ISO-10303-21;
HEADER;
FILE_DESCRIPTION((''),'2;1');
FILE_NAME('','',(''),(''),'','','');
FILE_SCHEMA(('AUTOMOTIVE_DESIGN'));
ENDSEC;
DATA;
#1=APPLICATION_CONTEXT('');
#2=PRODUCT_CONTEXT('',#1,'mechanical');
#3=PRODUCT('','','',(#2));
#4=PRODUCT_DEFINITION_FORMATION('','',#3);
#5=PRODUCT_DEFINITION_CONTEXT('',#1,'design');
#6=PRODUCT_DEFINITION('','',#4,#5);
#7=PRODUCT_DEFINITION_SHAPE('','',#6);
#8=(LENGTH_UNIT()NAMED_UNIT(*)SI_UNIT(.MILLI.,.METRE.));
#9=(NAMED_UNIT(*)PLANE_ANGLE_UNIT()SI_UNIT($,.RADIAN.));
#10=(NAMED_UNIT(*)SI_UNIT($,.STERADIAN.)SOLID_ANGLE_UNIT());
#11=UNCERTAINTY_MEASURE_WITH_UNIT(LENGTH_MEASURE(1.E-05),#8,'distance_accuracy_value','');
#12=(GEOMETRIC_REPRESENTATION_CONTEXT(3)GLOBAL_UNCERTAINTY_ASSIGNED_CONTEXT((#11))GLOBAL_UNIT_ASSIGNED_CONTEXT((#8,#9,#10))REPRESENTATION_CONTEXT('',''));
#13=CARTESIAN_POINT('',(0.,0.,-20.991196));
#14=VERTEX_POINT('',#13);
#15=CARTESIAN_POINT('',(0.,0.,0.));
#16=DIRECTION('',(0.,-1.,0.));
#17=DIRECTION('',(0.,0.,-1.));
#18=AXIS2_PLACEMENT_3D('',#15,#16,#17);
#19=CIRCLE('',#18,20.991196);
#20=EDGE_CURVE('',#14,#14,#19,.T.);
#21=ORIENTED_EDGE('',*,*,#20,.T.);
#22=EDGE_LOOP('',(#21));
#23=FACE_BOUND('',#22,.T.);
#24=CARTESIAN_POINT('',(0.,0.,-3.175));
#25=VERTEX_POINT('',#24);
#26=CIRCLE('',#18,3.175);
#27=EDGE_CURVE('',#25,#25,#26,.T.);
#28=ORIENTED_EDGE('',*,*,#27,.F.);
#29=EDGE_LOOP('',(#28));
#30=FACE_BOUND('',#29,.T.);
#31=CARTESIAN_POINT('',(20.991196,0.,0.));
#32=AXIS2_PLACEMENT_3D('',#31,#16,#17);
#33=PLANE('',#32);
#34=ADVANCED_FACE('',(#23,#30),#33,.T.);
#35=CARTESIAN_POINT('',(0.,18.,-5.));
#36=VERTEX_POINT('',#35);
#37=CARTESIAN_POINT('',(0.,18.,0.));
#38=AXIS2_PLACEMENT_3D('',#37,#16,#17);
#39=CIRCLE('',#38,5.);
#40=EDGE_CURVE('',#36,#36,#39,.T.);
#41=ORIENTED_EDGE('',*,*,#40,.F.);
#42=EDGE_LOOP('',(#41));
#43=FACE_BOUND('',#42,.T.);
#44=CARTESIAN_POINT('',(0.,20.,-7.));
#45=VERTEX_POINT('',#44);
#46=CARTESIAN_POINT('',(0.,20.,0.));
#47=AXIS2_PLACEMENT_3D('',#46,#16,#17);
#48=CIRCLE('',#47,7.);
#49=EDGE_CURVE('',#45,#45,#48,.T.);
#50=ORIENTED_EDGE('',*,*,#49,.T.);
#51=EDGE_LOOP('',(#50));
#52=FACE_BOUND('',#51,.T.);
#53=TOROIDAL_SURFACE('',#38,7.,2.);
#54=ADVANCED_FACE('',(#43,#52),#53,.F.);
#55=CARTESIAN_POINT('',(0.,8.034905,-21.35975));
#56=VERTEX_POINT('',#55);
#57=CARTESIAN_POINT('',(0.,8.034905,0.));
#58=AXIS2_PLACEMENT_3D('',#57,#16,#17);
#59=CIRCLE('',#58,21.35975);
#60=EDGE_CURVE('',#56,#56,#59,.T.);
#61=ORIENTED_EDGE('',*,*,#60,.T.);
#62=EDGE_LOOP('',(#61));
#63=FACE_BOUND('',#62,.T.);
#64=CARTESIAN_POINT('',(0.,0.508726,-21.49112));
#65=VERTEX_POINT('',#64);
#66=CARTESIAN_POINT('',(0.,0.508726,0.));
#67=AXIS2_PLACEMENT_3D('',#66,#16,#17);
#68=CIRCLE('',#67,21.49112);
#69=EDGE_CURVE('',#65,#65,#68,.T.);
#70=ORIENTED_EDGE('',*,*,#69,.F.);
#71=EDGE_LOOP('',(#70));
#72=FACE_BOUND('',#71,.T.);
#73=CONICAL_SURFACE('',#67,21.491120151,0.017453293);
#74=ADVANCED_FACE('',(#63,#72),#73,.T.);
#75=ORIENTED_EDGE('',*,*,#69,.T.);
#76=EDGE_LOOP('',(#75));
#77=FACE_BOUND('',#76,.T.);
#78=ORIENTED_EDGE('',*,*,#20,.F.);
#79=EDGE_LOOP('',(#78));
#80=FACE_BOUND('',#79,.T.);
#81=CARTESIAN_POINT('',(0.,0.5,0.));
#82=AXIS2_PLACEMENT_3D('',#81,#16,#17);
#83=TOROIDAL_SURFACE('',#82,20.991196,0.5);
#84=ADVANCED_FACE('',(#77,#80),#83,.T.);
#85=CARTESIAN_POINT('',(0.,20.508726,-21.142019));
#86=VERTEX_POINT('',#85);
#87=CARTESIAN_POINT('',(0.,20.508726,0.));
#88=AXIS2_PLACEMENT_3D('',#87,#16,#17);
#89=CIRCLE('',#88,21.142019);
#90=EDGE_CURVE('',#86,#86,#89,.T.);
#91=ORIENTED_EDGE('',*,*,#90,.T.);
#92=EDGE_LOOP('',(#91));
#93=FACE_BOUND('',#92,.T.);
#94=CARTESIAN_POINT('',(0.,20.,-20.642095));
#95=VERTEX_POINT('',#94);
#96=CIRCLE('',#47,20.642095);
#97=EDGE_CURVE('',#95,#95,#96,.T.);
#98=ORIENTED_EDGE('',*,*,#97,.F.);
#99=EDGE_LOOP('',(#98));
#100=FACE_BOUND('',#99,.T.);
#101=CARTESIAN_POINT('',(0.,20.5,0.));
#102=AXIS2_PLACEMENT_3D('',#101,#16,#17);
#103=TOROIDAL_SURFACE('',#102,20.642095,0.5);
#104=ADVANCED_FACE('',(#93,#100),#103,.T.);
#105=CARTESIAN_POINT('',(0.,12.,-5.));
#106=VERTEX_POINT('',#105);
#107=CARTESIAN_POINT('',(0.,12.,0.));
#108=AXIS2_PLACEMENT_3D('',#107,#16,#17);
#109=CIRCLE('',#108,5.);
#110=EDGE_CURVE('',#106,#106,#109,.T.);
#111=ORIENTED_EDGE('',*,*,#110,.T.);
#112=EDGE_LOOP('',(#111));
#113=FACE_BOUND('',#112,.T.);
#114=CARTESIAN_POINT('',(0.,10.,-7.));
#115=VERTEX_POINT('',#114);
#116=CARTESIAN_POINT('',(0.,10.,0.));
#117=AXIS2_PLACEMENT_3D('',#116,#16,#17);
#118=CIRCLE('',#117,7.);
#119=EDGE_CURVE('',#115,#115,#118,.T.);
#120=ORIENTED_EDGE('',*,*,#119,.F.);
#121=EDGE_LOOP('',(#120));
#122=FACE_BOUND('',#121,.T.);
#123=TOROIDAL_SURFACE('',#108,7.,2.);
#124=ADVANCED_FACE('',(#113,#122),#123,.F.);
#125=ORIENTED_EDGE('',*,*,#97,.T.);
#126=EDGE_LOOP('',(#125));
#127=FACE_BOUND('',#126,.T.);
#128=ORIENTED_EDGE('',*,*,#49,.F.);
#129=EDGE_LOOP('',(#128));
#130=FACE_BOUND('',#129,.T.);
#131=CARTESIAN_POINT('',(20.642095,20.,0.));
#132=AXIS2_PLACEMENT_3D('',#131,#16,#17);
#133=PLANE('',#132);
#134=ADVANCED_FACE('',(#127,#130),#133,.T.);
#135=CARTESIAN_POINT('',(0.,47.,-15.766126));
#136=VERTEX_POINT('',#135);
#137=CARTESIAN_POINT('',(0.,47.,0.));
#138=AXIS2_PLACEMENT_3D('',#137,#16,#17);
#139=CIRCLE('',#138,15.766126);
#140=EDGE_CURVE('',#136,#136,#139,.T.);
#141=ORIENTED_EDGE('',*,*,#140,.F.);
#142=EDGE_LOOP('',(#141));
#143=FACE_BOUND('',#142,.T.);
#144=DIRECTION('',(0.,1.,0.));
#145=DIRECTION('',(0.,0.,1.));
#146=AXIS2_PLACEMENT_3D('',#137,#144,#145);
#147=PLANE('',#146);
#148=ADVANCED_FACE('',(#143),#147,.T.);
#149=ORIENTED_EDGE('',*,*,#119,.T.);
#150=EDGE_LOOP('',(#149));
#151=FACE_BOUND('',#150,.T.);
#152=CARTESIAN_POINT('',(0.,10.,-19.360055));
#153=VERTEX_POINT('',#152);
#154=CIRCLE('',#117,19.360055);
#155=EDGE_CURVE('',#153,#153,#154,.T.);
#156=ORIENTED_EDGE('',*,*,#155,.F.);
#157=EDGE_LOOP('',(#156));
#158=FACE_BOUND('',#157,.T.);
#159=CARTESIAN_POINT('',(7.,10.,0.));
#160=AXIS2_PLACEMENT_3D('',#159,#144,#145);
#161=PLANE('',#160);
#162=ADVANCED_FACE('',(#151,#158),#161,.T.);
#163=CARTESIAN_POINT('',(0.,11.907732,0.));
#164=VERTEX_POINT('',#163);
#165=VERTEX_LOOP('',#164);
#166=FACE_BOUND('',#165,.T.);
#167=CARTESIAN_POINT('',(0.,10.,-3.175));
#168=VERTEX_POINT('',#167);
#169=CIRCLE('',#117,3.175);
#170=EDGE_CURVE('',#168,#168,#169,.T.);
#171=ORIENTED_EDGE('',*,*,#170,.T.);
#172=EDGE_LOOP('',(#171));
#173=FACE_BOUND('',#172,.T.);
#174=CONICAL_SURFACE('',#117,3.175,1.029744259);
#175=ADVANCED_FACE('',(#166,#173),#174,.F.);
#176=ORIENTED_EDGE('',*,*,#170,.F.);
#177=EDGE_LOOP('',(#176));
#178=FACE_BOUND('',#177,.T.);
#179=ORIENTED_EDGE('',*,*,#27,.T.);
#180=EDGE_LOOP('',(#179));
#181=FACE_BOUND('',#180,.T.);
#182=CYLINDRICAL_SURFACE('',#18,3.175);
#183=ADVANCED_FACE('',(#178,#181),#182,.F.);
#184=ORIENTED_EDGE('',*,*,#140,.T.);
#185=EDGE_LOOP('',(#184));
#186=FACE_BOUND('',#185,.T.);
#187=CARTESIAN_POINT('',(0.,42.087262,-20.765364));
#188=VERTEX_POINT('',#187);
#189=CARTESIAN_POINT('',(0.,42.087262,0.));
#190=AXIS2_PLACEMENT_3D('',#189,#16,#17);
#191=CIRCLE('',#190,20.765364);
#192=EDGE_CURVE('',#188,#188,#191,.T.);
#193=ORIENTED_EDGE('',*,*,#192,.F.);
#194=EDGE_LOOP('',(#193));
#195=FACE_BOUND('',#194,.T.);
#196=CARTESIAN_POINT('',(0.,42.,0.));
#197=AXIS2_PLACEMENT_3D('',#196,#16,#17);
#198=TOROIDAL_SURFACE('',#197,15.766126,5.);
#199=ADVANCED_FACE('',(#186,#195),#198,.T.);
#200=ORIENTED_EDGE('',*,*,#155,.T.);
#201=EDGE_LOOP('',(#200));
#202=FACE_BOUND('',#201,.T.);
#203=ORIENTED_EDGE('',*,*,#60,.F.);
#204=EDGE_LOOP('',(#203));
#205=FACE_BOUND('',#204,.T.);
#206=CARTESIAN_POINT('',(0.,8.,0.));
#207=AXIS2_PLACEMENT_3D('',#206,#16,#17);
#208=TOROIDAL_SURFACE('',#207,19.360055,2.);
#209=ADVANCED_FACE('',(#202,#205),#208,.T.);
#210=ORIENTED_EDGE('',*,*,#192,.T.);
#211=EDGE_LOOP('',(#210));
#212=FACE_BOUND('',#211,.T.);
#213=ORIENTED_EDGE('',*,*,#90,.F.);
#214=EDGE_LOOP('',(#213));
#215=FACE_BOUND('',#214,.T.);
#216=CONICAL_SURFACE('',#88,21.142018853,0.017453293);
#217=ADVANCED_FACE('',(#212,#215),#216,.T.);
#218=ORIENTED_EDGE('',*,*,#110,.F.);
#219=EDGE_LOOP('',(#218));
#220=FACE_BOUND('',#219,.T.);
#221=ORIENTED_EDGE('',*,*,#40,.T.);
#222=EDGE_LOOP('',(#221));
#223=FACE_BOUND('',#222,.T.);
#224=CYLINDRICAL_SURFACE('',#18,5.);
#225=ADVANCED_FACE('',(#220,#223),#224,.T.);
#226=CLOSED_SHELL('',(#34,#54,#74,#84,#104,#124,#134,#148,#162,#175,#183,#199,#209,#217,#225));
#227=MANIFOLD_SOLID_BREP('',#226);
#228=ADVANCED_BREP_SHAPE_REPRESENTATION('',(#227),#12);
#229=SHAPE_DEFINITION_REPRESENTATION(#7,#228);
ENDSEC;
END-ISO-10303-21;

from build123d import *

# Parameters (mm, degrees)
F_1_4_0_25_DIAMETER_HOLE1_D     = 6.35
F_1_4_0_25_DIAMETER_HOLE1_DEPTH = 10
F_1_4_0_25_DIAMETER_HOLE1_TIP   = 1.907732465


with BuildPart() as part:
    # Sketch1 → Revolve1 (revolve)
    with BuildSketch(Plane.XY, mode=Mode.PRIVATE) as revolve1_sk:
        with BuildLine():
            Line((0, 47), (15.766125633, 47))
            ThreePointArc((15.766125633, 47), (19.270671954, 45.566252246), (20.765364109, 42.087262032))
            Line((20.765364109, 42.087262032), (21.142018853, 20.508726203))
            ThreePointArc((21.142018853, 20.508726203), (20.99872023, 20.149545368), (20.642095005, 20))
            Line((20.642095005, 20), (7, 20))
            ThreePointArc((7, 20), (5.585786438, 19.414213562), (5, 18))
            Line((5, 18), (5, 12))
            ThreePointArc((5, 12), (5.585786438, 10.585786438), (7, 10))
            Line((7, 10), (19.360054824, 10))
            ThreePointArc((19.360054824, 10), (20.761873353, 9.426500898), (21.359750215, 8.034904813))
            Line((21.359750215, 8.034904813), (21.491120151, 0.508726203))
            ThreePointArc((21.491120151, 0.508726203), (21.347821528, 0.149545368), (20.991196304, 0))
            Line((20.991196304, 0), (0, 0))
            Line((0, 0), (0, 47))
        make_face()
    revolve(revolve1_sk.sketch.rotate(Axis((0, 0, 0), (0, 1, 0)), 90), axis=Axis((0, 0, 0), (0, 1, 0)))

    # 1/4 (0.25) Diameter Hole1
    with Locations(Plane(origin=(0, 0, 0), x_dir=(-1, 0, 0), z_dir=(0, -1, 0))):
        with Locations((0, 0)):
            Hole(F_1_4_0_25_DIAMETER_HOLE1_D / 2, depth=F_1_4_0_25_DIAMETER_HOLE1_DEPTH)
            with Locations((0, 0, -(F_1_4_0_25_DIAMETER_HOLE1_DEPTH + F_1_4_0_25_DIAMETER_HOLE1_TIP / 2))):  # 118° drill point
                Cone(0, F_1_4_0_25_DIAMETER_HOLE1_D / 2, F_1_4_0_25_DIAMETER_HOLE1_TIP, mode=Mode.SUBTRACT)


solid = part.part
